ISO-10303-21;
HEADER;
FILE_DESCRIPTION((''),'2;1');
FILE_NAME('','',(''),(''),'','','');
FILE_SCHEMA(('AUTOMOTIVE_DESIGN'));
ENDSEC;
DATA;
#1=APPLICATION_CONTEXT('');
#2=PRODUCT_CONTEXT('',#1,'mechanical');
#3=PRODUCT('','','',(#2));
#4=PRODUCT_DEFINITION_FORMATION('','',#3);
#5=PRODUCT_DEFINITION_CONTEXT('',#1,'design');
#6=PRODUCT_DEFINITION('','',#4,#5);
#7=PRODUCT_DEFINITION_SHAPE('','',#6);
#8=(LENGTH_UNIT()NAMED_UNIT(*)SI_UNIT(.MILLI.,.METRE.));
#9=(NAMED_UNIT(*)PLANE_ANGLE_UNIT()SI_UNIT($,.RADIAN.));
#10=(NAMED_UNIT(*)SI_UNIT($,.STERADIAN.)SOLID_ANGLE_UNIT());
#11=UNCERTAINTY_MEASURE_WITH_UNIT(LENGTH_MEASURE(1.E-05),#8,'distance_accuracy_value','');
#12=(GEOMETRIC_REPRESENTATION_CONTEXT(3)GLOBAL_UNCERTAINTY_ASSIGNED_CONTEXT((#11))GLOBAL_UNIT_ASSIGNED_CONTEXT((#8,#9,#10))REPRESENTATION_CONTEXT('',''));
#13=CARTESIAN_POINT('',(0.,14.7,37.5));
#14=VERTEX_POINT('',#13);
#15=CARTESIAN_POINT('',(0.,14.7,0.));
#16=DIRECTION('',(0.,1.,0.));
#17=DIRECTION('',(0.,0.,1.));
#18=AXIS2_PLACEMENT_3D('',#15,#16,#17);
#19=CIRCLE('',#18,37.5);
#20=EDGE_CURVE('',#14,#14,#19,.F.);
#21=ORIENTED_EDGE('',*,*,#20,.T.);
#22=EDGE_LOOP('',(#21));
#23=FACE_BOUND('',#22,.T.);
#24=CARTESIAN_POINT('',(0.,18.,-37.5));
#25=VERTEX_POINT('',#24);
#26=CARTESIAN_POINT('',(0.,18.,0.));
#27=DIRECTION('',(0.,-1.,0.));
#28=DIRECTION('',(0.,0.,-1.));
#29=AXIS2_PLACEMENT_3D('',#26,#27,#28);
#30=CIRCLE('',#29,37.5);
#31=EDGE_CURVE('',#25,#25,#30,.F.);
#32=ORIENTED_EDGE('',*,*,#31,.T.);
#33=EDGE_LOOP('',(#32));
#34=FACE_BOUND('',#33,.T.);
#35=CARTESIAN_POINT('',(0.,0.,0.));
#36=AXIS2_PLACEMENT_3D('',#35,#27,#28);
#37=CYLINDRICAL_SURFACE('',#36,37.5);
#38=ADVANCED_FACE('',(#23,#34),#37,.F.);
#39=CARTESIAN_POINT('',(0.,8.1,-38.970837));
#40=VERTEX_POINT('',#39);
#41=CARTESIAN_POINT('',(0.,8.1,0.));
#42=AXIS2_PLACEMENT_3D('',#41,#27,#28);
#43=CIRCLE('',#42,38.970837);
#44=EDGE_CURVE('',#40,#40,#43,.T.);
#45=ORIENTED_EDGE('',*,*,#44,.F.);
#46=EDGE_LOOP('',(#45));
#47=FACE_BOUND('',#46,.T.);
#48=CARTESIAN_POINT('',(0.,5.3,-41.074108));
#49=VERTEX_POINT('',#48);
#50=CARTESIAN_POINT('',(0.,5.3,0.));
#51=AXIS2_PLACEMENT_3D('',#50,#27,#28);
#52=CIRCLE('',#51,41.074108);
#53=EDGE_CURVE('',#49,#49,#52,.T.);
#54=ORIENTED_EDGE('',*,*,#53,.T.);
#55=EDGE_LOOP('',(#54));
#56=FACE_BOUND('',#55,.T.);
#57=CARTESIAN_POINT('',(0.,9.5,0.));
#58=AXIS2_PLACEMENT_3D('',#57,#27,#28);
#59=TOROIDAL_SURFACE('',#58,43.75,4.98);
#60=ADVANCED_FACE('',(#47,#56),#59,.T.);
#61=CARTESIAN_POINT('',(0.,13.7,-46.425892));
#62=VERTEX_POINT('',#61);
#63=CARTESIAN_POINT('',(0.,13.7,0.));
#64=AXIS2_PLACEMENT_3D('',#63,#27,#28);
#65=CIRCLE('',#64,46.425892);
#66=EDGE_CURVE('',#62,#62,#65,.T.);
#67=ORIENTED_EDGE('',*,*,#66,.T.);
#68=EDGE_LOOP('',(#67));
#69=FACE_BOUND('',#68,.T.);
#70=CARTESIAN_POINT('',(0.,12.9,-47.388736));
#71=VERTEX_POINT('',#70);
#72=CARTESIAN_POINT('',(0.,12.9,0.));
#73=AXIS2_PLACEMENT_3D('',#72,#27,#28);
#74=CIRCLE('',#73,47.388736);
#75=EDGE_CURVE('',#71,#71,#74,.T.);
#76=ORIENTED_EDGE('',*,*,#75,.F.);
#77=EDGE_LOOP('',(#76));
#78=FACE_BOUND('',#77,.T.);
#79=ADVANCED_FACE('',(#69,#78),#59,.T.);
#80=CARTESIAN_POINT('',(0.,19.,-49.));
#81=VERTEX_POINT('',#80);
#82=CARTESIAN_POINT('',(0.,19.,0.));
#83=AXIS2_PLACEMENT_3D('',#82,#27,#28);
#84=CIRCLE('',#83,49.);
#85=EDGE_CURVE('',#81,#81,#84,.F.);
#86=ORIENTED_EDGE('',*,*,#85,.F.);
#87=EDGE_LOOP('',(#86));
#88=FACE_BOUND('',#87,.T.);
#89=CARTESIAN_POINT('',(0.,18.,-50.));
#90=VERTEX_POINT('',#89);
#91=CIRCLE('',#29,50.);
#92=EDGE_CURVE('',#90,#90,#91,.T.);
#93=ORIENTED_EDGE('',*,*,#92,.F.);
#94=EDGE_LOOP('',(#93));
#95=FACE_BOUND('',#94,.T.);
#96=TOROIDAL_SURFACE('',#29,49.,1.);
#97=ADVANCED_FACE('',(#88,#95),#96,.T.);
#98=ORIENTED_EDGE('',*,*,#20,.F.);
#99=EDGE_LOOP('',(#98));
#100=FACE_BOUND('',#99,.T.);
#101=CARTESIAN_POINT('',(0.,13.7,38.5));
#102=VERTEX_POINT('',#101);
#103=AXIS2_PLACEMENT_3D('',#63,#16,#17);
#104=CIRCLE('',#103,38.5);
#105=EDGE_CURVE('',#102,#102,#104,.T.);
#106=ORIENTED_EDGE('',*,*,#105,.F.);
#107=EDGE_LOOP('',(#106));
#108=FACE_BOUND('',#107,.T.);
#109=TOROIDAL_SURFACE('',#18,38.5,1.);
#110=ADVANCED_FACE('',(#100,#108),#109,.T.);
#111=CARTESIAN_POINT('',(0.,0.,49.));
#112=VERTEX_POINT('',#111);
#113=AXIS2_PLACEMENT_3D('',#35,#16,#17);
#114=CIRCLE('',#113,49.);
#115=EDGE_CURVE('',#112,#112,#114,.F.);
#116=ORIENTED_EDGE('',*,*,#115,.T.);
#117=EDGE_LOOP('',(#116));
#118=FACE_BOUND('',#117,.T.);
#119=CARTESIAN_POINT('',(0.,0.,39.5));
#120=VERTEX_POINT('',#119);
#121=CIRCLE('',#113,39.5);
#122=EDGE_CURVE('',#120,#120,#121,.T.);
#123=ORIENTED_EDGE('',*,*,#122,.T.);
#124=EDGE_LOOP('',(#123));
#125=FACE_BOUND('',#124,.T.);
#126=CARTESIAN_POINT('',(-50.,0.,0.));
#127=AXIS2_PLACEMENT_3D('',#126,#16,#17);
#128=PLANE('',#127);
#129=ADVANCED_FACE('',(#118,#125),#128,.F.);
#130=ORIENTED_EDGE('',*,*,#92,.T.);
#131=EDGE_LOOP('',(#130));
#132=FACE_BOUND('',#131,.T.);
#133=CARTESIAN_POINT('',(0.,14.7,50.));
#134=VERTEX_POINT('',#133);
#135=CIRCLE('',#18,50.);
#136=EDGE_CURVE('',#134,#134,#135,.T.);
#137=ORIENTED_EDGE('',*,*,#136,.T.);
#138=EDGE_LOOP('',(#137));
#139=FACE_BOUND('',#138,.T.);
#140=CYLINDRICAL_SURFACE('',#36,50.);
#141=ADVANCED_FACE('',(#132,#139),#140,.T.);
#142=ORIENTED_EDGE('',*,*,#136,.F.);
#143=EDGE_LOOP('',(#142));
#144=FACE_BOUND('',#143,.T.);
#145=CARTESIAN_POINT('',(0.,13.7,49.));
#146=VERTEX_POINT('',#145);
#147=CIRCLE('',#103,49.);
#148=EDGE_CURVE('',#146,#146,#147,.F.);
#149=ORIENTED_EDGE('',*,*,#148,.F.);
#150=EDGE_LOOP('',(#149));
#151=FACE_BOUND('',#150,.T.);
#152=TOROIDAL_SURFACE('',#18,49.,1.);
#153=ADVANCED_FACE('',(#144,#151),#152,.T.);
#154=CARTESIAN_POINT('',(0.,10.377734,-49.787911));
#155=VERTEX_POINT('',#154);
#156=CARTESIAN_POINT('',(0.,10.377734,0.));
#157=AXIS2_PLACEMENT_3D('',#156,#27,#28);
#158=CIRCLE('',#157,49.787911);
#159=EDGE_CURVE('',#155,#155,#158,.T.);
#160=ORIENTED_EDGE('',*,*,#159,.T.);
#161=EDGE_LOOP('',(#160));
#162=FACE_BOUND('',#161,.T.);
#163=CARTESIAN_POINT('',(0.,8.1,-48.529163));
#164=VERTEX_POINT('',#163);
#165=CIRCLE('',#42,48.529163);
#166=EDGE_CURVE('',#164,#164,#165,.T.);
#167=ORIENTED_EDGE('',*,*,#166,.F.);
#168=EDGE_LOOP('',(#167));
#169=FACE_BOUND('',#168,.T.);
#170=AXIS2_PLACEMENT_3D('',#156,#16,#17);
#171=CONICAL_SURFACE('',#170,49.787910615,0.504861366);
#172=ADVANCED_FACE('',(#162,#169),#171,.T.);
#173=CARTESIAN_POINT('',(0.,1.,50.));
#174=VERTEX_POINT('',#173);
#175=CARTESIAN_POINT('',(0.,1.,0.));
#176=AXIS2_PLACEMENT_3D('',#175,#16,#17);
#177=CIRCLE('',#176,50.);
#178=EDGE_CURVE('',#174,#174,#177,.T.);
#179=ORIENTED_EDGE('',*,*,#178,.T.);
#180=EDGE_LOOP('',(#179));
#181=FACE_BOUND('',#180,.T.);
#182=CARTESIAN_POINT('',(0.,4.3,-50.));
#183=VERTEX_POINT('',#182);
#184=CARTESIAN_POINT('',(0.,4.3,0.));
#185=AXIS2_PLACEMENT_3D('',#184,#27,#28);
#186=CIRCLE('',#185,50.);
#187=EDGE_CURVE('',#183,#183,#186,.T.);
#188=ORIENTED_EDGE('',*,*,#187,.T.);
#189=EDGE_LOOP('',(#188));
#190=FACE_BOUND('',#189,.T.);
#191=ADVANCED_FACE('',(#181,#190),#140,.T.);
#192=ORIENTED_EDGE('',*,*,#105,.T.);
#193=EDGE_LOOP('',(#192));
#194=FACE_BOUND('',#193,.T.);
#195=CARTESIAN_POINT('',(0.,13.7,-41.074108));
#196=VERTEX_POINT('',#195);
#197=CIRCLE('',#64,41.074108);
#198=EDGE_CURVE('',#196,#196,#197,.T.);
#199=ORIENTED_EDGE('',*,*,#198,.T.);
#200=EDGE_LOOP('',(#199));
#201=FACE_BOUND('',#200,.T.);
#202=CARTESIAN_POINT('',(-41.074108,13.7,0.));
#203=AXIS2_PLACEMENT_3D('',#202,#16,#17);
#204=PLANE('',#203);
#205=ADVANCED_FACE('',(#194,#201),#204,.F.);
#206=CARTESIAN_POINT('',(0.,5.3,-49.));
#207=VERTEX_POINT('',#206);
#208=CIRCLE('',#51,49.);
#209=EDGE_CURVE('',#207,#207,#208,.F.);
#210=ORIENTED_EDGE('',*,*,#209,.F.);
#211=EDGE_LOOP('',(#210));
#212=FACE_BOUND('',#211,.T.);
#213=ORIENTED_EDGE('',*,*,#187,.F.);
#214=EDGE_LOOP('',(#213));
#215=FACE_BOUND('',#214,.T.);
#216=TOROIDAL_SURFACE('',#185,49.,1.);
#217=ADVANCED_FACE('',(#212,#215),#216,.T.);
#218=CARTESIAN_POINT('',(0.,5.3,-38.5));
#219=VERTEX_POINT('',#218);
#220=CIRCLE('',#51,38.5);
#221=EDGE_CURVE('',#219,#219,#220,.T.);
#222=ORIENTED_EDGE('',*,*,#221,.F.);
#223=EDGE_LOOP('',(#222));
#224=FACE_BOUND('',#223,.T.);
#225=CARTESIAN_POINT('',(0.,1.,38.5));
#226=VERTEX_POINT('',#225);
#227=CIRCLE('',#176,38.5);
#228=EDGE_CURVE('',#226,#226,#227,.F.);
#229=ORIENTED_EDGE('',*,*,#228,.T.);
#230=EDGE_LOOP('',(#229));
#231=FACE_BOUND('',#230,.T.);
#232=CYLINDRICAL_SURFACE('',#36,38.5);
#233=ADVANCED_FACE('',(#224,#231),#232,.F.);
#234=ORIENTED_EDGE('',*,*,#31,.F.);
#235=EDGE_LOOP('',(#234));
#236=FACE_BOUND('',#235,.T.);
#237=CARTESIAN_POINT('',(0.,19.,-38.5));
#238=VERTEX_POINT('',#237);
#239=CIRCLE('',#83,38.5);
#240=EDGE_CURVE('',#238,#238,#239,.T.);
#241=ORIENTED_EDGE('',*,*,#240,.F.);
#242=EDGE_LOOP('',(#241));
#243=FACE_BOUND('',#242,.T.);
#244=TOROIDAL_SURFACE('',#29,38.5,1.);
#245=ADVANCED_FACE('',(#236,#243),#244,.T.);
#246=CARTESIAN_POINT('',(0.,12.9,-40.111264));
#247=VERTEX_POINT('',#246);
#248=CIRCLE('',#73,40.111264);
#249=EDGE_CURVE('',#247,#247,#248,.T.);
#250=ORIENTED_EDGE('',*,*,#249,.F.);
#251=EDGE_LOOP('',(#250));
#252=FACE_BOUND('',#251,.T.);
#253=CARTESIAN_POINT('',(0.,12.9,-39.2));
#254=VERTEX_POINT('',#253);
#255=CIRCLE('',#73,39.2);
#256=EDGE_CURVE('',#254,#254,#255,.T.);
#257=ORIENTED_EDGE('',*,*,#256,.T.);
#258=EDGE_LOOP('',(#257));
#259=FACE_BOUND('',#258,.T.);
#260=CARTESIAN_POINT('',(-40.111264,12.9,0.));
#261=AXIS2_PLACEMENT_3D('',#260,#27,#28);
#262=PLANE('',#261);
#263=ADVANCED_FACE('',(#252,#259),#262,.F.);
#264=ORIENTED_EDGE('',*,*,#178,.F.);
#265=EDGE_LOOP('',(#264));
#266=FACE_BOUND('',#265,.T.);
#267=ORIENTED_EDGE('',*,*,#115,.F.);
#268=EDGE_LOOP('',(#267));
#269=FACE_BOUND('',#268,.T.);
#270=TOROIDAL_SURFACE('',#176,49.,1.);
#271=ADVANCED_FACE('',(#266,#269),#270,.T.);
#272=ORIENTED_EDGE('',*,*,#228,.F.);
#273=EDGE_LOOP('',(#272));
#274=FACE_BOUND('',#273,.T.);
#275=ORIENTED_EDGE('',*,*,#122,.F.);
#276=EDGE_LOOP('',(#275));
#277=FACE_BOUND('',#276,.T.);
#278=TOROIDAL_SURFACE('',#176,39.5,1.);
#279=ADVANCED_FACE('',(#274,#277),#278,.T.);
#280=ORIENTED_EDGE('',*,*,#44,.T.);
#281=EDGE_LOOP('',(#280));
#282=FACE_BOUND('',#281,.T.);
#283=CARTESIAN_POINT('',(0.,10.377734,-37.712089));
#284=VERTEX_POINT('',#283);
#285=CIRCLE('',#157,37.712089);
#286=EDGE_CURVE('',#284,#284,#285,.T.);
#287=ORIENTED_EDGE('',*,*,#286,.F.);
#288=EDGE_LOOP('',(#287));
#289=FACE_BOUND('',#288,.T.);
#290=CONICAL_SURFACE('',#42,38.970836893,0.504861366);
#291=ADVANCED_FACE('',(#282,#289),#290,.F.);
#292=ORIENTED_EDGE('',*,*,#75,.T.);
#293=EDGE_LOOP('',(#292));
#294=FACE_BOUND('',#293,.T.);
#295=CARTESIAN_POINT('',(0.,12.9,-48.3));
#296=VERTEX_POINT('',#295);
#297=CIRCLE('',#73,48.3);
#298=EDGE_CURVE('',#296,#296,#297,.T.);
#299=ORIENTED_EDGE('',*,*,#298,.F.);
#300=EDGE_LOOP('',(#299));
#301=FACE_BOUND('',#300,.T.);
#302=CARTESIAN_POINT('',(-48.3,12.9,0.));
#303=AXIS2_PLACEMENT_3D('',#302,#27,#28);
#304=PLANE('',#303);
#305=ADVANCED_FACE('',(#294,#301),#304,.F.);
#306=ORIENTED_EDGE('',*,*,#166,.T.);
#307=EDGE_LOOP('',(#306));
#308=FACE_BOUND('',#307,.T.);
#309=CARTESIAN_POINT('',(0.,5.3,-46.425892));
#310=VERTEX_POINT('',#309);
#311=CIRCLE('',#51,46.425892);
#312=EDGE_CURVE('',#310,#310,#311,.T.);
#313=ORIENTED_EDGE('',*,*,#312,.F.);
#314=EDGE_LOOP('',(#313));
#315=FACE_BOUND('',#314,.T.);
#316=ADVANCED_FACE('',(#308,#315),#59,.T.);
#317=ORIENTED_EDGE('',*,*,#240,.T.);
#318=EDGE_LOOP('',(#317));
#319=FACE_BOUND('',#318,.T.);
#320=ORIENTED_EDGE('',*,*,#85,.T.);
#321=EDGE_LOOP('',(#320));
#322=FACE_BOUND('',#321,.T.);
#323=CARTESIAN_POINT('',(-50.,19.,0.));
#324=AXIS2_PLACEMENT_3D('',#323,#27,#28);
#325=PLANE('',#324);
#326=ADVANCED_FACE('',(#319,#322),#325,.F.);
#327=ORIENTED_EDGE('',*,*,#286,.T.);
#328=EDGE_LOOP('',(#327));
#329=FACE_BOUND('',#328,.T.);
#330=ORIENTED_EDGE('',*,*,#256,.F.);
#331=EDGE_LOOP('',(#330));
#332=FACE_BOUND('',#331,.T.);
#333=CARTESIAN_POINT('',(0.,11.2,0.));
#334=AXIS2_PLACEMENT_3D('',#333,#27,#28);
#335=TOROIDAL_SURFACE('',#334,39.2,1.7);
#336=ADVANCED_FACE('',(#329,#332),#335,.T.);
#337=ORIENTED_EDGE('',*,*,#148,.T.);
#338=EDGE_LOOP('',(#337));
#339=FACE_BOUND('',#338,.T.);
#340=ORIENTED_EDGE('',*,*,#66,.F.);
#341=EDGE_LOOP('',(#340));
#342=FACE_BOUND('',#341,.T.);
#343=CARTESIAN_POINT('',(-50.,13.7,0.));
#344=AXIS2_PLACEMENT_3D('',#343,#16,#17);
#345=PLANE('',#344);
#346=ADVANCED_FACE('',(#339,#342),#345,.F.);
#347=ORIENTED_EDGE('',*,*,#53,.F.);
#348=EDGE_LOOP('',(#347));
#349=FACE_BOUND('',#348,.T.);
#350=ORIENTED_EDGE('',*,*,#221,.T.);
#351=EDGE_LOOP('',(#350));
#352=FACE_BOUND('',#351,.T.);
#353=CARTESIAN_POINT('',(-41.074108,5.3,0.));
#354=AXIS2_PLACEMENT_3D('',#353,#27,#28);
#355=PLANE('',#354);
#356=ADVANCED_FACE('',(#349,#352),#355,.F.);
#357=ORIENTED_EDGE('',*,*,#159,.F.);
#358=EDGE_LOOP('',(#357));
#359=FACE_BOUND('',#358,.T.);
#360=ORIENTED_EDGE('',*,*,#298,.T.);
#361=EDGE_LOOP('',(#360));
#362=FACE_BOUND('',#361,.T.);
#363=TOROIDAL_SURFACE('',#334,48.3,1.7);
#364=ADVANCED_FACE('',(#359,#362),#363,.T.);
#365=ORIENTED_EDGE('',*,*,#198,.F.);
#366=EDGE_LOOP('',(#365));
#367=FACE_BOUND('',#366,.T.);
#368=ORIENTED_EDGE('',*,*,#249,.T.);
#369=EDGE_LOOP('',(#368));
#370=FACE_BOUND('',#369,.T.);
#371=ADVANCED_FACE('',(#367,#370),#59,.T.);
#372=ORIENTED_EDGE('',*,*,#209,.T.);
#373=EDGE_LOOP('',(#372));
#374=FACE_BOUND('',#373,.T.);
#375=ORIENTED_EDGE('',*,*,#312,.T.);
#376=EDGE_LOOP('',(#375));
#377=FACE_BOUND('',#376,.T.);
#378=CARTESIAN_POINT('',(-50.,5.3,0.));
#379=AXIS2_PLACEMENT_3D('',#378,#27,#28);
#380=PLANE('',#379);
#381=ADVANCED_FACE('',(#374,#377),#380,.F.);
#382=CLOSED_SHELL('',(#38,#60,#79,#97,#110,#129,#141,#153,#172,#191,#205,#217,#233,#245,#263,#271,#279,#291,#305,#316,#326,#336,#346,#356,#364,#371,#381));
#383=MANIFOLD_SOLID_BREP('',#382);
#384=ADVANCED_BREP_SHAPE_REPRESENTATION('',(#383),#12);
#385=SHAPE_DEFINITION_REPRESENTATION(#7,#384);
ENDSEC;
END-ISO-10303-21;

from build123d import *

# Parameters (mm, degrees)
FILLET1_R = 1


with BuildPart() as part:
    # Sketch1 → Revolve1 (revolve)
    with BuildSketch(Plane.XY, mode=Mode.PRIVATE) as revolve1_sk:
        with BuildLine():
            Line((-41.074107625, 13.7), (-37.5, 13.7))
            Line((-37.5, 13.7), (-37.5, 19))
            Line((-37.5, 19), (-50, 19))
            Line((-50, 19), (-50, 13.7))
            Line((-50, 13.7), (-46.425892375, 13.7))
            ThreePointArc((-46.425892375, 13.7), (-46.932551338, 13.330374261), (-47.388736044, 12.9))
            Line((-47.388736044, 12.9), (-48.3, 12.9))
            ThreePointArc((-48.3, 12.9), (-49.764215293, 12.063755507), (-49.787910615, 10.377733619))
            Line((-49.787910615, 10.377733619), (-48.529163107, 8.1))
            ThreePointArc((-48.529163107, 8.1), (-47.731766324, 6.509024082), (-46.425892375, 5.3))
            Line((-46.425892375, 5.3), (-50, 5.3))
            Line((-50, 5.3), (-50, 0))
            Line((-50, 0), (-38.5, 0))
            Line((-38.5, 0), (-38.5, 5.3))
            Line((-38.5, 5.3), (-41.074107625, 5.3))
            ThreePointArc((-41.074107625, 5.3), (-39.768233676, 6.509024082), (-38.970836893, 8.1))
            Line((-38.970836893, 8.1), (-37.712089385, 10.377733619))
            ThreePointArc((-37.712089385, 10.377733619), (-37.735784707, 12.063755507), (-39.2, 12.9))
            Line((-39.2, 12.9), (-40.111263956, 12.9))
            ThreePointArc((-40.111263956, 12.9), (-40.567448662, 13.330374261), (-41.074107625, 13.7))
        make_face()
    revolve(revolve1_sk.sketch.rotate(Axis((0, 0, 0), (0, 1, 0)), 270), axis=Axis((0, 0, 0), (0, 1, 0)))

    # Fillet1
    fillet1_edges = [part.edges().sort_by_distance(p)[0] for p in [
        (0, 5.3, 50),
        (0, 13.7, 50),
        (0, 19, 50),
        (0, 19, 37.5),
        (0, 13.7, 37.5),
        (0, 0, 38.5),
        (0, 0, 50),
    ]]
    fillet(fillet1_edges, radius=FILLET1_R)


solid = part.part
